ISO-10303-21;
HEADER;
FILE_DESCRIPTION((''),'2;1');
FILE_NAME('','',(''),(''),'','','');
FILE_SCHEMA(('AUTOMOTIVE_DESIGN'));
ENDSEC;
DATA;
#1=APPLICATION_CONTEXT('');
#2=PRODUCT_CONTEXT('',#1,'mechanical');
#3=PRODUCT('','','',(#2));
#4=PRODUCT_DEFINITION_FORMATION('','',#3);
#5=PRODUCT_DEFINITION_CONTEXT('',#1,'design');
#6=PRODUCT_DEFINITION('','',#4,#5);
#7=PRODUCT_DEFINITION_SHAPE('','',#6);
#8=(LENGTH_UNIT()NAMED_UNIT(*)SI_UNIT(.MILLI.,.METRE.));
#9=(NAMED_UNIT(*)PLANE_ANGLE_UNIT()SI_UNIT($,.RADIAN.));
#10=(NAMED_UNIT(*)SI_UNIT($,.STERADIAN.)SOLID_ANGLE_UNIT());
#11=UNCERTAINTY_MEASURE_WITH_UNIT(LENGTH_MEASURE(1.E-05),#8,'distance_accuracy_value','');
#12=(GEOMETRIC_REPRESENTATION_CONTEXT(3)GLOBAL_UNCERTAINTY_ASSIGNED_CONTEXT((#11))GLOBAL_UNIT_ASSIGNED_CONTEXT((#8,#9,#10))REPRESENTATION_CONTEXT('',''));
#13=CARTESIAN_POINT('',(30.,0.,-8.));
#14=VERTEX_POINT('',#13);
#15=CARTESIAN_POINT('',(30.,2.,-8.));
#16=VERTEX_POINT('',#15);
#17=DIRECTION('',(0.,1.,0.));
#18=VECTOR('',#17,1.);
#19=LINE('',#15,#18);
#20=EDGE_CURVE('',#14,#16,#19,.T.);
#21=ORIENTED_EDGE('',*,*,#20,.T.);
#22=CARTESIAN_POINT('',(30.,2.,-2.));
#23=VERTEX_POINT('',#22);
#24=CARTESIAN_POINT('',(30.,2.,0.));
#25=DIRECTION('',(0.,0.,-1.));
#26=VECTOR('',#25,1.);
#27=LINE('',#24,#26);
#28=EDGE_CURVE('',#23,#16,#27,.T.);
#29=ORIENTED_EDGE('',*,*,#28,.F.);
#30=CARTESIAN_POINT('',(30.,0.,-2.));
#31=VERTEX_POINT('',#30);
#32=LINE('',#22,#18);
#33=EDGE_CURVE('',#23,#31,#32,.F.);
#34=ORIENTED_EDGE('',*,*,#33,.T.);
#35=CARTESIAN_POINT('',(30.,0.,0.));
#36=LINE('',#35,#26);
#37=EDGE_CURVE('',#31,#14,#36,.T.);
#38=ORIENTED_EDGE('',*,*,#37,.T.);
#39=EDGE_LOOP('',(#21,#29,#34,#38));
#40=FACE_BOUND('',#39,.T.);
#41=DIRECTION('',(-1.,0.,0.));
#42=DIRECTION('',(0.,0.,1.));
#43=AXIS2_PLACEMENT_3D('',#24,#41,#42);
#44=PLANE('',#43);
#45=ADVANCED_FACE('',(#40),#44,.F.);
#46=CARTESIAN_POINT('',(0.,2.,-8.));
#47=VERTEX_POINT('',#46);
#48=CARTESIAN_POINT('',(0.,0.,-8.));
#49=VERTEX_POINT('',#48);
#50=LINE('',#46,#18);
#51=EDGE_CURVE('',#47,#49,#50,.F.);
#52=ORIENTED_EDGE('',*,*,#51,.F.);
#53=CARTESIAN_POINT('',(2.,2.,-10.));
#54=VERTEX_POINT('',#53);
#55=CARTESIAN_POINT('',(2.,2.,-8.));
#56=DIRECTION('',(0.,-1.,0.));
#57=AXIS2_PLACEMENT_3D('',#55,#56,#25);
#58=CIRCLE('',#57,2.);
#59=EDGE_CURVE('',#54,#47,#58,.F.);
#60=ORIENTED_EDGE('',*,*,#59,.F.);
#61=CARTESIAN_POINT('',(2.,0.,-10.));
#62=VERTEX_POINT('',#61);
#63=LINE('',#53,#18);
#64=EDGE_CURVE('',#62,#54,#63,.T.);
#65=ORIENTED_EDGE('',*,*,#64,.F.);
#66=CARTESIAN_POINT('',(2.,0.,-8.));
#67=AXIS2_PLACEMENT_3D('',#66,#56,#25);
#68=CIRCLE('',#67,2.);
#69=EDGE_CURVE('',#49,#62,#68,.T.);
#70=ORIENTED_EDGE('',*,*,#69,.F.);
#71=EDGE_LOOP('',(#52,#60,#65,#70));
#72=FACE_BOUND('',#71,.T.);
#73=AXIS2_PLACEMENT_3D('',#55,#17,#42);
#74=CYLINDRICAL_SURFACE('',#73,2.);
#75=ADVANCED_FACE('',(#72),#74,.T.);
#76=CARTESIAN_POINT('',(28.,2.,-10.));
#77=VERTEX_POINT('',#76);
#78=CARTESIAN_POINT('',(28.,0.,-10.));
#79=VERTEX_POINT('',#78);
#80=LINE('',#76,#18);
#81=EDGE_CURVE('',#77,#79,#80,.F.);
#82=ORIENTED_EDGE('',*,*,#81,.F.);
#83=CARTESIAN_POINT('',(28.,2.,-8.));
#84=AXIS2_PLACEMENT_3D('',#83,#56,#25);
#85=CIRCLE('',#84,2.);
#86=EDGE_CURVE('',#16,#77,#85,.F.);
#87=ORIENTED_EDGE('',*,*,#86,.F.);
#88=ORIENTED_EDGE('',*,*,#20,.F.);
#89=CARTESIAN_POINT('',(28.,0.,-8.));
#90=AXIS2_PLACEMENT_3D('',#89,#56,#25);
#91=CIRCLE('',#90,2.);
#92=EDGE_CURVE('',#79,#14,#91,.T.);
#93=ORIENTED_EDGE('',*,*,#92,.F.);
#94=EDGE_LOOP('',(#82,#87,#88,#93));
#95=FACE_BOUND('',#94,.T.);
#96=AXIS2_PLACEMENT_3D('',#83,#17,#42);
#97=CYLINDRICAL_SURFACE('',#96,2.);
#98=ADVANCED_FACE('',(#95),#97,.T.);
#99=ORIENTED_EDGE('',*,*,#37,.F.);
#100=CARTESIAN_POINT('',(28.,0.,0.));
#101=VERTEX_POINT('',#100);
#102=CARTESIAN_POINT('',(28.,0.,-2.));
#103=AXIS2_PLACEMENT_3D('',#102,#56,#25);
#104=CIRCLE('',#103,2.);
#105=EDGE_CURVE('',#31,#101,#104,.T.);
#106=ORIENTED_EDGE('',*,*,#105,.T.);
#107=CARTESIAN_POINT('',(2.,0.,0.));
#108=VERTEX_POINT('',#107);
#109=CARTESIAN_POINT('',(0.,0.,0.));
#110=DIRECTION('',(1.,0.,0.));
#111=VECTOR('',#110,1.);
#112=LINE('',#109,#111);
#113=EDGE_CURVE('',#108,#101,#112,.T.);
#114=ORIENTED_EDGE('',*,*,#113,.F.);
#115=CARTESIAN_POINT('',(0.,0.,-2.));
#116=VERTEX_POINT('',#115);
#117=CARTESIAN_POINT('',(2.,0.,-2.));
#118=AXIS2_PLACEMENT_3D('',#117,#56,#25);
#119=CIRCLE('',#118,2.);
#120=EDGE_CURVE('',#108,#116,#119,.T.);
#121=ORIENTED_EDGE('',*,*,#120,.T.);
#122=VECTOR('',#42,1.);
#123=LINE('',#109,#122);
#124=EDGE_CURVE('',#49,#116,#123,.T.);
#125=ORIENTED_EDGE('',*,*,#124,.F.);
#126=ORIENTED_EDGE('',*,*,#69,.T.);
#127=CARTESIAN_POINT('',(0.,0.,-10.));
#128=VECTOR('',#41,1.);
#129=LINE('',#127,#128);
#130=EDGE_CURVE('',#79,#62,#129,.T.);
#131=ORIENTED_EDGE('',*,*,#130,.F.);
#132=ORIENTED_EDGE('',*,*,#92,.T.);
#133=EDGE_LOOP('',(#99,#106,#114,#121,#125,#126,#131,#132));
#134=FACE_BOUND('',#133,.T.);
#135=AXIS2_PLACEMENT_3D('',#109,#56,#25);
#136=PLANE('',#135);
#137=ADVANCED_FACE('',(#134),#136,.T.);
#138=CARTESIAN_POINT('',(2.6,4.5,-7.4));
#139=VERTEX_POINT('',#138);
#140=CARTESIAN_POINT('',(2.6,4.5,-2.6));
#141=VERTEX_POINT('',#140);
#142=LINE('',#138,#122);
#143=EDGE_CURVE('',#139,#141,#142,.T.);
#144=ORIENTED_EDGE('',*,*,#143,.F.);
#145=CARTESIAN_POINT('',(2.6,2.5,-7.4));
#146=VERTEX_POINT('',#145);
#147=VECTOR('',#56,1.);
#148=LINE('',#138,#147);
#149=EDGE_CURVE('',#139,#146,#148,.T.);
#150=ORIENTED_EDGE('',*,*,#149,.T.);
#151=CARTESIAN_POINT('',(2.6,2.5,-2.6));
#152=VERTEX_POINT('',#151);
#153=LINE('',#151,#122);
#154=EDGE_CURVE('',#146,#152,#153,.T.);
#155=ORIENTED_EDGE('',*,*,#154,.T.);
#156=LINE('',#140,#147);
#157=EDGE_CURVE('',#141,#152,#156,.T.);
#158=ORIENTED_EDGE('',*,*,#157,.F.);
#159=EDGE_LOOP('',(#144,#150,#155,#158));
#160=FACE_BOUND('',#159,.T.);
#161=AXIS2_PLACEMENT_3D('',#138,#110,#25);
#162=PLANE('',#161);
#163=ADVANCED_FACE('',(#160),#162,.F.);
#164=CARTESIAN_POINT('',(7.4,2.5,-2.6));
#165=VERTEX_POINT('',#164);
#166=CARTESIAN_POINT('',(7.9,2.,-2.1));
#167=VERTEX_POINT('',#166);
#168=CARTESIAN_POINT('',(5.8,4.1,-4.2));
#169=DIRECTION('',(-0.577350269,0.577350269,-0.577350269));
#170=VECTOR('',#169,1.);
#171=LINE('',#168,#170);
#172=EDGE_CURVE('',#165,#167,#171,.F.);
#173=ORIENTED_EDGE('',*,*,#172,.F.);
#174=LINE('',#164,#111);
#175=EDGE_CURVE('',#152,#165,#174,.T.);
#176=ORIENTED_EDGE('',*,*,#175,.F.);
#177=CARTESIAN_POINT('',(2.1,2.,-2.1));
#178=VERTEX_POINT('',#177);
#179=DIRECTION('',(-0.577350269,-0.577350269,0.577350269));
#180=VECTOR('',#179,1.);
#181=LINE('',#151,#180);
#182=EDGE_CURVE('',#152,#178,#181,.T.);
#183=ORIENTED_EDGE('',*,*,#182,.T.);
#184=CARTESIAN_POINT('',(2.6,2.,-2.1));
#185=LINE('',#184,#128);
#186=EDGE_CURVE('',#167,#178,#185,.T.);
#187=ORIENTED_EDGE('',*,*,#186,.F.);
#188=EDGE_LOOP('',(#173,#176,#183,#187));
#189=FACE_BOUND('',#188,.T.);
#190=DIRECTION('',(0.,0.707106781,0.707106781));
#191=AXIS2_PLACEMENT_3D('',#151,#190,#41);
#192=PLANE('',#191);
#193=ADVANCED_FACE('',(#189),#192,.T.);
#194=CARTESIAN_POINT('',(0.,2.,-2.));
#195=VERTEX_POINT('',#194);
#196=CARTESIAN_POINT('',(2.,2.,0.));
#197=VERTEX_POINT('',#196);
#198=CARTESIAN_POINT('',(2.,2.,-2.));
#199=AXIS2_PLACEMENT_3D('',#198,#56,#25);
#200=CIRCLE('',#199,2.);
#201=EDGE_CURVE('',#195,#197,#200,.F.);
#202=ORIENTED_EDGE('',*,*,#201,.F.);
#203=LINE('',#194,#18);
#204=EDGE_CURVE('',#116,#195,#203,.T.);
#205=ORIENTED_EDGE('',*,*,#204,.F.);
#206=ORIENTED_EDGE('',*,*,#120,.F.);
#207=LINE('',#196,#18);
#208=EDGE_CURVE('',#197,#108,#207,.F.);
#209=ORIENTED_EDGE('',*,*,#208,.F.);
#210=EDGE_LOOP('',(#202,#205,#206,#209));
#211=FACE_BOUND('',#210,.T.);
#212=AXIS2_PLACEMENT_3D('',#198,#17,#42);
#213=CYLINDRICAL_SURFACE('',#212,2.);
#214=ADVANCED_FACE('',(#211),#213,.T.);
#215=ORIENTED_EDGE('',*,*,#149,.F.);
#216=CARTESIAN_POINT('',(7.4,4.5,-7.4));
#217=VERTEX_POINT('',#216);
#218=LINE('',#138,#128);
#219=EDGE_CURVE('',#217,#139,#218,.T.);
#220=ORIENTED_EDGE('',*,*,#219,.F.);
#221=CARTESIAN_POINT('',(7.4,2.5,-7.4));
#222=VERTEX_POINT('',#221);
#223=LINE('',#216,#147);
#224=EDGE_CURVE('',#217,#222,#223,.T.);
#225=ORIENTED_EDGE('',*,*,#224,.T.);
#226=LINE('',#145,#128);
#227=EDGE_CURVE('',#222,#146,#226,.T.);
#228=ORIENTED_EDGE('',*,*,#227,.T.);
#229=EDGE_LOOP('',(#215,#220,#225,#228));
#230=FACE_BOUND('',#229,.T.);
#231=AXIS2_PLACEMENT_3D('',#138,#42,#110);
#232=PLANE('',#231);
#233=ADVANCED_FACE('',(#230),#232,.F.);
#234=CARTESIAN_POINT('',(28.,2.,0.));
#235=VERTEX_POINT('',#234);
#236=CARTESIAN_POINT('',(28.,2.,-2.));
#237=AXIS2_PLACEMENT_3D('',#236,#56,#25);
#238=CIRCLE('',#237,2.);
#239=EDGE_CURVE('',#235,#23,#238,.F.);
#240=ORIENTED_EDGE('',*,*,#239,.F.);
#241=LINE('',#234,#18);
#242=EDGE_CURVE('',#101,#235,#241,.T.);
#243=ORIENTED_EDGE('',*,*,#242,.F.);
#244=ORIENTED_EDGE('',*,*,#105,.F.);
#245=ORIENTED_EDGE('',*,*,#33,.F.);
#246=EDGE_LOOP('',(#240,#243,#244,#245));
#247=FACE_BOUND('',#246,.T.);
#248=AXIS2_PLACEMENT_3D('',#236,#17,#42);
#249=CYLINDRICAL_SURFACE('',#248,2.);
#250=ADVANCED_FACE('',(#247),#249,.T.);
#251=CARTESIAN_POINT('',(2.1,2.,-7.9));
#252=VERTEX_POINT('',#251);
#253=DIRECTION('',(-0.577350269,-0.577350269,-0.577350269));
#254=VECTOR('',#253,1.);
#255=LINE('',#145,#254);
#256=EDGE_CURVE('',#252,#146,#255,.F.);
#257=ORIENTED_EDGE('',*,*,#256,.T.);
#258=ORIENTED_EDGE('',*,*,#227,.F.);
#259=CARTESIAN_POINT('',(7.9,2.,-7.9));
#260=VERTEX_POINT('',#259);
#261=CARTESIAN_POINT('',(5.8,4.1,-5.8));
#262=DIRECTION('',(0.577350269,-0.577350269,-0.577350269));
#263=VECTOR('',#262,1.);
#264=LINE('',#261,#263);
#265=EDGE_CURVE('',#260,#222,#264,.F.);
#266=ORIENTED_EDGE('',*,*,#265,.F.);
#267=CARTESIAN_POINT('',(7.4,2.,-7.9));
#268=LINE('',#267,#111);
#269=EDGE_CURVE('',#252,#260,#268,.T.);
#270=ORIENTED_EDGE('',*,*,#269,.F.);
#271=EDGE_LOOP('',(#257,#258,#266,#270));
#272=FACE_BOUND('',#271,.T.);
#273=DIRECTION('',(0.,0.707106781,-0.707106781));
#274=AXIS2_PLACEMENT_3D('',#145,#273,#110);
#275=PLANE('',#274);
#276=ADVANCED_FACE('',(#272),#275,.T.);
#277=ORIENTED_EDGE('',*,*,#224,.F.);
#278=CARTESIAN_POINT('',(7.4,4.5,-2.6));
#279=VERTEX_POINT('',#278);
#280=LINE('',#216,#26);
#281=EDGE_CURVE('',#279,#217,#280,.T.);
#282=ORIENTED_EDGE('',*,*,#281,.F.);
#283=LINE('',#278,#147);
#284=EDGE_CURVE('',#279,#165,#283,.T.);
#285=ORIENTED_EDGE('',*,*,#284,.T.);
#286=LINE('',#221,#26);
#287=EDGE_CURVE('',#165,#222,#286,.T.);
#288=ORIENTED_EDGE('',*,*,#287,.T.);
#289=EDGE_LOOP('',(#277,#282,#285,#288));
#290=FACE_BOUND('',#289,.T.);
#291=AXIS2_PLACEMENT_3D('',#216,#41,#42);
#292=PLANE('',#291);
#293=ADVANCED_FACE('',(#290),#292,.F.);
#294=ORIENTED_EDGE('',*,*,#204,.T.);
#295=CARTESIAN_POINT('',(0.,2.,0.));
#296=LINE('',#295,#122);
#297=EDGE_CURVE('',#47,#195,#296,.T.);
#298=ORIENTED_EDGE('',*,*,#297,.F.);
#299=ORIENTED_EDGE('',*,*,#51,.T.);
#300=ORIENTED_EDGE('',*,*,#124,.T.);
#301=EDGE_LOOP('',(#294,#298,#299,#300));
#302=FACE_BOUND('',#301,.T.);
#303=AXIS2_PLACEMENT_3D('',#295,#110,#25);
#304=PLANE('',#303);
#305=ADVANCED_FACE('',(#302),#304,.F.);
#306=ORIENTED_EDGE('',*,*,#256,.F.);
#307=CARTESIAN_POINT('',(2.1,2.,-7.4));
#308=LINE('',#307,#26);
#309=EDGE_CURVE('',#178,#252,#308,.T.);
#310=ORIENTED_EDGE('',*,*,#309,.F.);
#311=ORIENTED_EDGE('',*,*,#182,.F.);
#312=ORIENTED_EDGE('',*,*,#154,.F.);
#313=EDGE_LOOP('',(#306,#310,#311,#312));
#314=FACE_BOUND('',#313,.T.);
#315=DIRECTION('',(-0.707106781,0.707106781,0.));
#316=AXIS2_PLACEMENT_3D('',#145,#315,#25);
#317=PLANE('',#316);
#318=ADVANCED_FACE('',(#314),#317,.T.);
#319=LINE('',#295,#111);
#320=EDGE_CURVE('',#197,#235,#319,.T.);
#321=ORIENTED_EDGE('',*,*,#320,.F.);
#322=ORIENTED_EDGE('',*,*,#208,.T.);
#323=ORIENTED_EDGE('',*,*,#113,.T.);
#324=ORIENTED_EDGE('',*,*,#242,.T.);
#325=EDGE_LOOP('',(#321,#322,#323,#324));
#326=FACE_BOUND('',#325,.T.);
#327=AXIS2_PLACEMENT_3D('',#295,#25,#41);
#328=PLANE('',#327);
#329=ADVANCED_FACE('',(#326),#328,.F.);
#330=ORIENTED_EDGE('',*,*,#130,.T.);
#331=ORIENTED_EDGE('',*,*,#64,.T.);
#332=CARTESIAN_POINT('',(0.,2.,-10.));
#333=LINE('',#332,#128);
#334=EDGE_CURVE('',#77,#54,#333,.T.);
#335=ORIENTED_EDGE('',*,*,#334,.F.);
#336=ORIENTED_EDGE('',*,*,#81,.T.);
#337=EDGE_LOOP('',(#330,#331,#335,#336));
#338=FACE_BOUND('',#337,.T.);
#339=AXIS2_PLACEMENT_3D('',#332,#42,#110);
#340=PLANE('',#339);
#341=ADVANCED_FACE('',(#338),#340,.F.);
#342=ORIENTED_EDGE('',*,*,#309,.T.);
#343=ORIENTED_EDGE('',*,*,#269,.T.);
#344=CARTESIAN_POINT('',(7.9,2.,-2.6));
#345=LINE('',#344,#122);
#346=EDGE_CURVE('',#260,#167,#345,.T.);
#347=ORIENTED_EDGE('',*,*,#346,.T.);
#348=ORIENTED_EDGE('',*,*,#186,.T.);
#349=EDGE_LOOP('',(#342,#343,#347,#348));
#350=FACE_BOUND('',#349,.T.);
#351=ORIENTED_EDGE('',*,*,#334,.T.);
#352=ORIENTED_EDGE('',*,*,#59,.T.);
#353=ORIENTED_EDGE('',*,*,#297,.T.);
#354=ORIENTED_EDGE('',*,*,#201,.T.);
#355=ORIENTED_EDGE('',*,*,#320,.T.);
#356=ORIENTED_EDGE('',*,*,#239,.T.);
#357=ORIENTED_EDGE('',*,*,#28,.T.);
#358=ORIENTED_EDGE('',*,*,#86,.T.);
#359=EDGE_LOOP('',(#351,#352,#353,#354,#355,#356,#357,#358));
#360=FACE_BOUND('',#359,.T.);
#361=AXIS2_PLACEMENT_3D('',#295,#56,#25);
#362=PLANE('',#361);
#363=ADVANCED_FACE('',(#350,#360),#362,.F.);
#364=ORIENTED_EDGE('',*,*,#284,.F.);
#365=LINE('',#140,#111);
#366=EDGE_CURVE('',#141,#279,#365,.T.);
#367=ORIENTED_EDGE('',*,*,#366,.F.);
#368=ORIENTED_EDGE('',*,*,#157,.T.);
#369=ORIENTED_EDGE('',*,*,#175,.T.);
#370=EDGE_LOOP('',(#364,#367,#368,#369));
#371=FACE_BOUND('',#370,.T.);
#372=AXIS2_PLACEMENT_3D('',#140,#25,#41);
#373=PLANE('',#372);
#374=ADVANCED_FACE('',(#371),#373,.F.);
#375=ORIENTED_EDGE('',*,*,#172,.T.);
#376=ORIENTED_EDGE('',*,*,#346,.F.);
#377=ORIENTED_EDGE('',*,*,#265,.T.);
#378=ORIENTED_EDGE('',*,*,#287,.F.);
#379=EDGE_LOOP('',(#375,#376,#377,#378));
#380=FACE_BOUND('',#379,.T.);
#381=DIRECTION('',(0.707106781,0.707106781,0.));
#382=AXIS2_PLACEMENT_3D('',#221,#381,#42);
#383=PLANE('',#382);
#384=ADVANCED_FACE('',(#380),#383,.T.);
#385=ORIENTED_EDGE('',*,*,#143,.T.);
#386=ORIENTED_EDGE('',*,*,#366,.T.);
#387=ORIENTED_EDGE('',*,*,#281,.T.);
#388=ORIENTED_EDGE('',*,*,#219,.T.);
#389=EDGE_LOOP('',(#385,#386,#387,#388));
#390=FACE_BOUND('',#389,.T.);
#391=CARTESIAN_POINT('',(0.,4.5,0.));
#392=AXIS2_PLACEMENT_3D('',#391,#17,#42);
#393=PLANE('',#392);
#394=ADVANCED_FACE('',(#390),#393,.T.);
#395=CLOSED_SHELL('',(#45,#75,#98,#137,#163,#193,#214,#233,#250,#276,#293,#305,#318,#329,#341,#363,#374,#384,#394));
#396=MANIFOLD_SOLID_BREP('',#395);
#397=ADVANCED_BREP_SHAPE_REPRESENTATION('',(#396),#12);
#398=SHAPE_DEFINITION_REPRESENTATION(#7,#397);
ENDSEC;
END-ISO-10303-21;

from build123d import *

# Parameters (mm, degrees)
ESBO_O3_W                = 30
ESBO_O3_H                = 10
RESSALTO_EXTRUS_O3_DEPTH = 2
ESBO_O4_W                = 4.8
ESBO_O4_H                = 4.8
RESSALTO_EXTRUS_O4_DEPTH = 2.5
CHANFRO2_SIZE            = 0.5
FILETE5_R                = 2
FILETE6_R                = 2
FILETE7_R                = 2
FILETE8_R                = 2


with BuildPart() as part:
    # Esboço3 → Ressalto-extrusão3 (new body)
    with BuildSketch(Plane(origin=(0, 0, 0), x_dir=(1, 0, 0), z_dir=(0, 1, 0))):
        with Locations((15, 5)):
            Rectangle(ESBO_O3_W, ESBO_O3_H)
    extrude(amount=RESSALTO_EXTRUS_O3_DEPTH)

    # Esboço4 → Ressalto-extrusão4 (add)
    with BuildSketch(Plane(origin=(0, 2, 0), x_dir=(1, 0, 0), z_dir=(0, 1, 0))):
        with Locations((5, 5)):
            Rectangle(ESBO_O4_W, ESBO_O4_H)
    extrude(amount=RESSALTO_EXTRUS_O4_DEPTH)

    # Chanfro2
    chanfro2_edges = [part.edges().sort_by_distance(p)[0] for p in [
        (7.4, 2, -5),
        (5, 2, -7.4),
        (2.6, 2, -5),
        (5, 2, -2.6),
    ]]
    chamfer(chanfro2_edges, length=CHANFRO2_SIZE)

    # Filete5
    filete5_edges = [part.edges().sort_by_distance(p)[0] for p in [
        (0, 1, 0),
    ]]
    fillet(filete5_edges, radius=FILETE5_R)

    # Filete6
    filete6_edges = [part.edges().sort_by_distance(p)[0] for p in [
        (0, 1, -10),
    ]]
    fillet(filete6_edges, radius=FILETE6_R)

    # Filete7
    filete7_edges = [part.edges().sort_by_distance(p)[0] for p in [
        (30, 1, -10),
    ]]
    fillet(filete7_edges, radius=FILETE7_R)

    # Filete8
    filete8_edges = [part.edges().sort_by_distance(p)[0] for p in [
        (30, 1, 0),
    ]]
    fillet(filete8_edges, radius=FILETE8_R)


solid = part.part
